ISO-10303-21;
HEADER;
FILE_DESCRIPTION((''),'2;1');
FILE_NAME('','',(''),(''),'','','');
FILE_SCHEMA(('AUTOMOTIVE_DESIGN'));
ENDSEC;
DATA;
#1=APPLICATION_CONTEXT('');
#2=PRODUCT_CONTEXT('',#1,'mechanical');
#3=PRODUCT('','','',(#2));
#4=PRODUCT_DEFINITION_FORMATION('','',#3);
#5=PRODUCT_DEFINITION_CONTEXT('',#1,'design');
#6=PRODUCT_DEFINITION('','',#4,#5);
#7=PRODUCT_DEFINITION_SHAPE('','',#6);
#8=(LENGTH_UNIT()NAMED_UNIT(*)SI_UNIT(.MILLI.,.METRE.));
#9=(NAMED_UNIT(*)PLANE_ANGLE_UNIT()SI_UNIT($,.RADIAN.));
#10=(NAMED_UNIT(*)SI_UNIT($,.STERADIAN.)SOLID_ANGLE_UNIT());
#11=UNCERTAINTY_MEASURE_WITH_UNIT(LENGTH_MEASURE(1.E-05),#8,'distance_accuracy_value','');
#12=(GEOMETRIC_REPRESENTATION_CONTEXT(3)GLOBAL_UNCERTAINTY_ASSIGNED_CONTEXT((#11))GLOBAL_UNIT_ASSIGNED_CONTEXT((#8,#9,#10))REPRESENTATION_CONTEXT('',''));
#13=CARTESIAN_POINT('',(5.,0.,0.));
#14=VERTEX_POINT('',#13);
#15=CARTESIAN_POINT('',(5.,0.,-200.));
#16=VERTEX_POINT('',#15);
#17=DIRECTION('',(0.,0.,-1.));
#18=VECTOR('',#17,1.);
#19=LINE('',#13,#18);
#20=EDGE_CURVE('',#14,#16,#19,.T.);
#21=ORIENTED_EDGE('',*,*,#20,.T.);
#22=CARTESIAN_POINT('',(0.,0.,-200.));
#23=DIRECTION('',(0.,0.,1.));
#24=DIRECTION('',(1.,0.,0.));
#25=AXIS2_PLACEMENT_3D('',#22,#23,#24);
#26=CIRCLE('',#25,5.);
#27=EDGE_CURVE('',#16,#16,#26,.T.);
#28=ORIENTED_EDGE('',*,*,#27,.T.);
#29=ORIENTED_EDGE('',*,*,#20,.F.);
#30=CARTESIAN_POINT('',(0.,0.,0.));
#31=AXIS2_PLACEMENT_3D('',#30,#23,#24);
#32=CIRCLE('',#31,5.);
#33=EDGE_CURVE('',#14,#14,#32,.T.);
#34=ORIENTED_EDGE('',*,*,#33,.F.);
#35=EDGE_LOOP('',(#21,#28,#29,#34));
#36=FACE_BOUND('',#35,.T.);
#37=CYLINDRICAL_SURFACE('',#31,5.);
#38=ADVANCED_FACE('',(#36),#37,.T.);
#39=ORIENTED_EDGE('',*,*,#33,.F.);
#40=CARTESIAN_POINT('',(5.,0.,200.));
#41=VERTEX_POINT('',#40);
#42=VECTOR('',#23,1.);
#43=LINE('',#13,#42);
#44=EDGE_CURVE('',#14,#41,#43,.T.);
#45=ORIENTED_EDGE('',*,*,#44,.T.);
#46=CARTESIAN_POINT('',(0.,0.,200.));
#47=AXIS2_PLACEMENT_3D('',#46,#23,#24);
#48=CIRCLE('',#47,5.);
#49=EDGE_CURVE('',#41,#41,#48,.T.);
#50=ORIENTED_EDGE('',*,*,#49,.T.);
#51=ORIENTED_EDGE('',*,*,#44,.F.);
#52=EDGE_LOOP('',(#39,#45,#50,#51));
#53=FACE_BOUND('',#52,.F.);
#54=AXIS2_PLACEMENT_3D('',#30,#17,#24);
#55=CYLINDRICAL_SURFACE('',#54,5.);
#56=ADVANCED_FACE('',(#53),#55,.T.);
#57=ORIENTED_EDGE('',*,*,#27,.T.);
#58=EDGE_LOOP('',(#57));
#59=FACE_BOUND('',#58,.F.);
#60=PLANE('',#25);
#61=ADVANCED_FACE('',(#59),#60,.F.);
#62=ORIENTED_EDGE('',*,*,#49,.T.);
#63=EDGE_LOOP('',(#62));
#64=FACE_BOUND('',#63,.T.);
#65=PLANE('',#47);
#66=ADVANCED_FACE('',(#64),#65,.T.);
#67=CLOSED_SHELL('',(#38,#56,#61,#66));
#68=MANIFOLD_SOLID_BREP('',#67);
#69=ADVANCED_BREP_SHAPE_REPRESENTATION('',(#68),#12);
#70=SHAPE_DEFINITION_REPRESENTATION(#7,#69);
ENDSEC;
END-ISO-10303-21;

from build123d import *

# Parameters (mm, degrees)
F0_R          = 5
F1_DEPTH      = 200
F1_DEPTH_BACK = 200


with BuildPart() as f1:
    # F0 (on Top) → F1 (new body, two sides)
    with BuildSketch(Plane.XY) as f1_sk:
        Circle(F0_R)
    extrude(amount=-F1_DEPTH)
    extrude(f1_sk.sketch, amount=F1_DEPTH_BACK)


solid = f1.part
